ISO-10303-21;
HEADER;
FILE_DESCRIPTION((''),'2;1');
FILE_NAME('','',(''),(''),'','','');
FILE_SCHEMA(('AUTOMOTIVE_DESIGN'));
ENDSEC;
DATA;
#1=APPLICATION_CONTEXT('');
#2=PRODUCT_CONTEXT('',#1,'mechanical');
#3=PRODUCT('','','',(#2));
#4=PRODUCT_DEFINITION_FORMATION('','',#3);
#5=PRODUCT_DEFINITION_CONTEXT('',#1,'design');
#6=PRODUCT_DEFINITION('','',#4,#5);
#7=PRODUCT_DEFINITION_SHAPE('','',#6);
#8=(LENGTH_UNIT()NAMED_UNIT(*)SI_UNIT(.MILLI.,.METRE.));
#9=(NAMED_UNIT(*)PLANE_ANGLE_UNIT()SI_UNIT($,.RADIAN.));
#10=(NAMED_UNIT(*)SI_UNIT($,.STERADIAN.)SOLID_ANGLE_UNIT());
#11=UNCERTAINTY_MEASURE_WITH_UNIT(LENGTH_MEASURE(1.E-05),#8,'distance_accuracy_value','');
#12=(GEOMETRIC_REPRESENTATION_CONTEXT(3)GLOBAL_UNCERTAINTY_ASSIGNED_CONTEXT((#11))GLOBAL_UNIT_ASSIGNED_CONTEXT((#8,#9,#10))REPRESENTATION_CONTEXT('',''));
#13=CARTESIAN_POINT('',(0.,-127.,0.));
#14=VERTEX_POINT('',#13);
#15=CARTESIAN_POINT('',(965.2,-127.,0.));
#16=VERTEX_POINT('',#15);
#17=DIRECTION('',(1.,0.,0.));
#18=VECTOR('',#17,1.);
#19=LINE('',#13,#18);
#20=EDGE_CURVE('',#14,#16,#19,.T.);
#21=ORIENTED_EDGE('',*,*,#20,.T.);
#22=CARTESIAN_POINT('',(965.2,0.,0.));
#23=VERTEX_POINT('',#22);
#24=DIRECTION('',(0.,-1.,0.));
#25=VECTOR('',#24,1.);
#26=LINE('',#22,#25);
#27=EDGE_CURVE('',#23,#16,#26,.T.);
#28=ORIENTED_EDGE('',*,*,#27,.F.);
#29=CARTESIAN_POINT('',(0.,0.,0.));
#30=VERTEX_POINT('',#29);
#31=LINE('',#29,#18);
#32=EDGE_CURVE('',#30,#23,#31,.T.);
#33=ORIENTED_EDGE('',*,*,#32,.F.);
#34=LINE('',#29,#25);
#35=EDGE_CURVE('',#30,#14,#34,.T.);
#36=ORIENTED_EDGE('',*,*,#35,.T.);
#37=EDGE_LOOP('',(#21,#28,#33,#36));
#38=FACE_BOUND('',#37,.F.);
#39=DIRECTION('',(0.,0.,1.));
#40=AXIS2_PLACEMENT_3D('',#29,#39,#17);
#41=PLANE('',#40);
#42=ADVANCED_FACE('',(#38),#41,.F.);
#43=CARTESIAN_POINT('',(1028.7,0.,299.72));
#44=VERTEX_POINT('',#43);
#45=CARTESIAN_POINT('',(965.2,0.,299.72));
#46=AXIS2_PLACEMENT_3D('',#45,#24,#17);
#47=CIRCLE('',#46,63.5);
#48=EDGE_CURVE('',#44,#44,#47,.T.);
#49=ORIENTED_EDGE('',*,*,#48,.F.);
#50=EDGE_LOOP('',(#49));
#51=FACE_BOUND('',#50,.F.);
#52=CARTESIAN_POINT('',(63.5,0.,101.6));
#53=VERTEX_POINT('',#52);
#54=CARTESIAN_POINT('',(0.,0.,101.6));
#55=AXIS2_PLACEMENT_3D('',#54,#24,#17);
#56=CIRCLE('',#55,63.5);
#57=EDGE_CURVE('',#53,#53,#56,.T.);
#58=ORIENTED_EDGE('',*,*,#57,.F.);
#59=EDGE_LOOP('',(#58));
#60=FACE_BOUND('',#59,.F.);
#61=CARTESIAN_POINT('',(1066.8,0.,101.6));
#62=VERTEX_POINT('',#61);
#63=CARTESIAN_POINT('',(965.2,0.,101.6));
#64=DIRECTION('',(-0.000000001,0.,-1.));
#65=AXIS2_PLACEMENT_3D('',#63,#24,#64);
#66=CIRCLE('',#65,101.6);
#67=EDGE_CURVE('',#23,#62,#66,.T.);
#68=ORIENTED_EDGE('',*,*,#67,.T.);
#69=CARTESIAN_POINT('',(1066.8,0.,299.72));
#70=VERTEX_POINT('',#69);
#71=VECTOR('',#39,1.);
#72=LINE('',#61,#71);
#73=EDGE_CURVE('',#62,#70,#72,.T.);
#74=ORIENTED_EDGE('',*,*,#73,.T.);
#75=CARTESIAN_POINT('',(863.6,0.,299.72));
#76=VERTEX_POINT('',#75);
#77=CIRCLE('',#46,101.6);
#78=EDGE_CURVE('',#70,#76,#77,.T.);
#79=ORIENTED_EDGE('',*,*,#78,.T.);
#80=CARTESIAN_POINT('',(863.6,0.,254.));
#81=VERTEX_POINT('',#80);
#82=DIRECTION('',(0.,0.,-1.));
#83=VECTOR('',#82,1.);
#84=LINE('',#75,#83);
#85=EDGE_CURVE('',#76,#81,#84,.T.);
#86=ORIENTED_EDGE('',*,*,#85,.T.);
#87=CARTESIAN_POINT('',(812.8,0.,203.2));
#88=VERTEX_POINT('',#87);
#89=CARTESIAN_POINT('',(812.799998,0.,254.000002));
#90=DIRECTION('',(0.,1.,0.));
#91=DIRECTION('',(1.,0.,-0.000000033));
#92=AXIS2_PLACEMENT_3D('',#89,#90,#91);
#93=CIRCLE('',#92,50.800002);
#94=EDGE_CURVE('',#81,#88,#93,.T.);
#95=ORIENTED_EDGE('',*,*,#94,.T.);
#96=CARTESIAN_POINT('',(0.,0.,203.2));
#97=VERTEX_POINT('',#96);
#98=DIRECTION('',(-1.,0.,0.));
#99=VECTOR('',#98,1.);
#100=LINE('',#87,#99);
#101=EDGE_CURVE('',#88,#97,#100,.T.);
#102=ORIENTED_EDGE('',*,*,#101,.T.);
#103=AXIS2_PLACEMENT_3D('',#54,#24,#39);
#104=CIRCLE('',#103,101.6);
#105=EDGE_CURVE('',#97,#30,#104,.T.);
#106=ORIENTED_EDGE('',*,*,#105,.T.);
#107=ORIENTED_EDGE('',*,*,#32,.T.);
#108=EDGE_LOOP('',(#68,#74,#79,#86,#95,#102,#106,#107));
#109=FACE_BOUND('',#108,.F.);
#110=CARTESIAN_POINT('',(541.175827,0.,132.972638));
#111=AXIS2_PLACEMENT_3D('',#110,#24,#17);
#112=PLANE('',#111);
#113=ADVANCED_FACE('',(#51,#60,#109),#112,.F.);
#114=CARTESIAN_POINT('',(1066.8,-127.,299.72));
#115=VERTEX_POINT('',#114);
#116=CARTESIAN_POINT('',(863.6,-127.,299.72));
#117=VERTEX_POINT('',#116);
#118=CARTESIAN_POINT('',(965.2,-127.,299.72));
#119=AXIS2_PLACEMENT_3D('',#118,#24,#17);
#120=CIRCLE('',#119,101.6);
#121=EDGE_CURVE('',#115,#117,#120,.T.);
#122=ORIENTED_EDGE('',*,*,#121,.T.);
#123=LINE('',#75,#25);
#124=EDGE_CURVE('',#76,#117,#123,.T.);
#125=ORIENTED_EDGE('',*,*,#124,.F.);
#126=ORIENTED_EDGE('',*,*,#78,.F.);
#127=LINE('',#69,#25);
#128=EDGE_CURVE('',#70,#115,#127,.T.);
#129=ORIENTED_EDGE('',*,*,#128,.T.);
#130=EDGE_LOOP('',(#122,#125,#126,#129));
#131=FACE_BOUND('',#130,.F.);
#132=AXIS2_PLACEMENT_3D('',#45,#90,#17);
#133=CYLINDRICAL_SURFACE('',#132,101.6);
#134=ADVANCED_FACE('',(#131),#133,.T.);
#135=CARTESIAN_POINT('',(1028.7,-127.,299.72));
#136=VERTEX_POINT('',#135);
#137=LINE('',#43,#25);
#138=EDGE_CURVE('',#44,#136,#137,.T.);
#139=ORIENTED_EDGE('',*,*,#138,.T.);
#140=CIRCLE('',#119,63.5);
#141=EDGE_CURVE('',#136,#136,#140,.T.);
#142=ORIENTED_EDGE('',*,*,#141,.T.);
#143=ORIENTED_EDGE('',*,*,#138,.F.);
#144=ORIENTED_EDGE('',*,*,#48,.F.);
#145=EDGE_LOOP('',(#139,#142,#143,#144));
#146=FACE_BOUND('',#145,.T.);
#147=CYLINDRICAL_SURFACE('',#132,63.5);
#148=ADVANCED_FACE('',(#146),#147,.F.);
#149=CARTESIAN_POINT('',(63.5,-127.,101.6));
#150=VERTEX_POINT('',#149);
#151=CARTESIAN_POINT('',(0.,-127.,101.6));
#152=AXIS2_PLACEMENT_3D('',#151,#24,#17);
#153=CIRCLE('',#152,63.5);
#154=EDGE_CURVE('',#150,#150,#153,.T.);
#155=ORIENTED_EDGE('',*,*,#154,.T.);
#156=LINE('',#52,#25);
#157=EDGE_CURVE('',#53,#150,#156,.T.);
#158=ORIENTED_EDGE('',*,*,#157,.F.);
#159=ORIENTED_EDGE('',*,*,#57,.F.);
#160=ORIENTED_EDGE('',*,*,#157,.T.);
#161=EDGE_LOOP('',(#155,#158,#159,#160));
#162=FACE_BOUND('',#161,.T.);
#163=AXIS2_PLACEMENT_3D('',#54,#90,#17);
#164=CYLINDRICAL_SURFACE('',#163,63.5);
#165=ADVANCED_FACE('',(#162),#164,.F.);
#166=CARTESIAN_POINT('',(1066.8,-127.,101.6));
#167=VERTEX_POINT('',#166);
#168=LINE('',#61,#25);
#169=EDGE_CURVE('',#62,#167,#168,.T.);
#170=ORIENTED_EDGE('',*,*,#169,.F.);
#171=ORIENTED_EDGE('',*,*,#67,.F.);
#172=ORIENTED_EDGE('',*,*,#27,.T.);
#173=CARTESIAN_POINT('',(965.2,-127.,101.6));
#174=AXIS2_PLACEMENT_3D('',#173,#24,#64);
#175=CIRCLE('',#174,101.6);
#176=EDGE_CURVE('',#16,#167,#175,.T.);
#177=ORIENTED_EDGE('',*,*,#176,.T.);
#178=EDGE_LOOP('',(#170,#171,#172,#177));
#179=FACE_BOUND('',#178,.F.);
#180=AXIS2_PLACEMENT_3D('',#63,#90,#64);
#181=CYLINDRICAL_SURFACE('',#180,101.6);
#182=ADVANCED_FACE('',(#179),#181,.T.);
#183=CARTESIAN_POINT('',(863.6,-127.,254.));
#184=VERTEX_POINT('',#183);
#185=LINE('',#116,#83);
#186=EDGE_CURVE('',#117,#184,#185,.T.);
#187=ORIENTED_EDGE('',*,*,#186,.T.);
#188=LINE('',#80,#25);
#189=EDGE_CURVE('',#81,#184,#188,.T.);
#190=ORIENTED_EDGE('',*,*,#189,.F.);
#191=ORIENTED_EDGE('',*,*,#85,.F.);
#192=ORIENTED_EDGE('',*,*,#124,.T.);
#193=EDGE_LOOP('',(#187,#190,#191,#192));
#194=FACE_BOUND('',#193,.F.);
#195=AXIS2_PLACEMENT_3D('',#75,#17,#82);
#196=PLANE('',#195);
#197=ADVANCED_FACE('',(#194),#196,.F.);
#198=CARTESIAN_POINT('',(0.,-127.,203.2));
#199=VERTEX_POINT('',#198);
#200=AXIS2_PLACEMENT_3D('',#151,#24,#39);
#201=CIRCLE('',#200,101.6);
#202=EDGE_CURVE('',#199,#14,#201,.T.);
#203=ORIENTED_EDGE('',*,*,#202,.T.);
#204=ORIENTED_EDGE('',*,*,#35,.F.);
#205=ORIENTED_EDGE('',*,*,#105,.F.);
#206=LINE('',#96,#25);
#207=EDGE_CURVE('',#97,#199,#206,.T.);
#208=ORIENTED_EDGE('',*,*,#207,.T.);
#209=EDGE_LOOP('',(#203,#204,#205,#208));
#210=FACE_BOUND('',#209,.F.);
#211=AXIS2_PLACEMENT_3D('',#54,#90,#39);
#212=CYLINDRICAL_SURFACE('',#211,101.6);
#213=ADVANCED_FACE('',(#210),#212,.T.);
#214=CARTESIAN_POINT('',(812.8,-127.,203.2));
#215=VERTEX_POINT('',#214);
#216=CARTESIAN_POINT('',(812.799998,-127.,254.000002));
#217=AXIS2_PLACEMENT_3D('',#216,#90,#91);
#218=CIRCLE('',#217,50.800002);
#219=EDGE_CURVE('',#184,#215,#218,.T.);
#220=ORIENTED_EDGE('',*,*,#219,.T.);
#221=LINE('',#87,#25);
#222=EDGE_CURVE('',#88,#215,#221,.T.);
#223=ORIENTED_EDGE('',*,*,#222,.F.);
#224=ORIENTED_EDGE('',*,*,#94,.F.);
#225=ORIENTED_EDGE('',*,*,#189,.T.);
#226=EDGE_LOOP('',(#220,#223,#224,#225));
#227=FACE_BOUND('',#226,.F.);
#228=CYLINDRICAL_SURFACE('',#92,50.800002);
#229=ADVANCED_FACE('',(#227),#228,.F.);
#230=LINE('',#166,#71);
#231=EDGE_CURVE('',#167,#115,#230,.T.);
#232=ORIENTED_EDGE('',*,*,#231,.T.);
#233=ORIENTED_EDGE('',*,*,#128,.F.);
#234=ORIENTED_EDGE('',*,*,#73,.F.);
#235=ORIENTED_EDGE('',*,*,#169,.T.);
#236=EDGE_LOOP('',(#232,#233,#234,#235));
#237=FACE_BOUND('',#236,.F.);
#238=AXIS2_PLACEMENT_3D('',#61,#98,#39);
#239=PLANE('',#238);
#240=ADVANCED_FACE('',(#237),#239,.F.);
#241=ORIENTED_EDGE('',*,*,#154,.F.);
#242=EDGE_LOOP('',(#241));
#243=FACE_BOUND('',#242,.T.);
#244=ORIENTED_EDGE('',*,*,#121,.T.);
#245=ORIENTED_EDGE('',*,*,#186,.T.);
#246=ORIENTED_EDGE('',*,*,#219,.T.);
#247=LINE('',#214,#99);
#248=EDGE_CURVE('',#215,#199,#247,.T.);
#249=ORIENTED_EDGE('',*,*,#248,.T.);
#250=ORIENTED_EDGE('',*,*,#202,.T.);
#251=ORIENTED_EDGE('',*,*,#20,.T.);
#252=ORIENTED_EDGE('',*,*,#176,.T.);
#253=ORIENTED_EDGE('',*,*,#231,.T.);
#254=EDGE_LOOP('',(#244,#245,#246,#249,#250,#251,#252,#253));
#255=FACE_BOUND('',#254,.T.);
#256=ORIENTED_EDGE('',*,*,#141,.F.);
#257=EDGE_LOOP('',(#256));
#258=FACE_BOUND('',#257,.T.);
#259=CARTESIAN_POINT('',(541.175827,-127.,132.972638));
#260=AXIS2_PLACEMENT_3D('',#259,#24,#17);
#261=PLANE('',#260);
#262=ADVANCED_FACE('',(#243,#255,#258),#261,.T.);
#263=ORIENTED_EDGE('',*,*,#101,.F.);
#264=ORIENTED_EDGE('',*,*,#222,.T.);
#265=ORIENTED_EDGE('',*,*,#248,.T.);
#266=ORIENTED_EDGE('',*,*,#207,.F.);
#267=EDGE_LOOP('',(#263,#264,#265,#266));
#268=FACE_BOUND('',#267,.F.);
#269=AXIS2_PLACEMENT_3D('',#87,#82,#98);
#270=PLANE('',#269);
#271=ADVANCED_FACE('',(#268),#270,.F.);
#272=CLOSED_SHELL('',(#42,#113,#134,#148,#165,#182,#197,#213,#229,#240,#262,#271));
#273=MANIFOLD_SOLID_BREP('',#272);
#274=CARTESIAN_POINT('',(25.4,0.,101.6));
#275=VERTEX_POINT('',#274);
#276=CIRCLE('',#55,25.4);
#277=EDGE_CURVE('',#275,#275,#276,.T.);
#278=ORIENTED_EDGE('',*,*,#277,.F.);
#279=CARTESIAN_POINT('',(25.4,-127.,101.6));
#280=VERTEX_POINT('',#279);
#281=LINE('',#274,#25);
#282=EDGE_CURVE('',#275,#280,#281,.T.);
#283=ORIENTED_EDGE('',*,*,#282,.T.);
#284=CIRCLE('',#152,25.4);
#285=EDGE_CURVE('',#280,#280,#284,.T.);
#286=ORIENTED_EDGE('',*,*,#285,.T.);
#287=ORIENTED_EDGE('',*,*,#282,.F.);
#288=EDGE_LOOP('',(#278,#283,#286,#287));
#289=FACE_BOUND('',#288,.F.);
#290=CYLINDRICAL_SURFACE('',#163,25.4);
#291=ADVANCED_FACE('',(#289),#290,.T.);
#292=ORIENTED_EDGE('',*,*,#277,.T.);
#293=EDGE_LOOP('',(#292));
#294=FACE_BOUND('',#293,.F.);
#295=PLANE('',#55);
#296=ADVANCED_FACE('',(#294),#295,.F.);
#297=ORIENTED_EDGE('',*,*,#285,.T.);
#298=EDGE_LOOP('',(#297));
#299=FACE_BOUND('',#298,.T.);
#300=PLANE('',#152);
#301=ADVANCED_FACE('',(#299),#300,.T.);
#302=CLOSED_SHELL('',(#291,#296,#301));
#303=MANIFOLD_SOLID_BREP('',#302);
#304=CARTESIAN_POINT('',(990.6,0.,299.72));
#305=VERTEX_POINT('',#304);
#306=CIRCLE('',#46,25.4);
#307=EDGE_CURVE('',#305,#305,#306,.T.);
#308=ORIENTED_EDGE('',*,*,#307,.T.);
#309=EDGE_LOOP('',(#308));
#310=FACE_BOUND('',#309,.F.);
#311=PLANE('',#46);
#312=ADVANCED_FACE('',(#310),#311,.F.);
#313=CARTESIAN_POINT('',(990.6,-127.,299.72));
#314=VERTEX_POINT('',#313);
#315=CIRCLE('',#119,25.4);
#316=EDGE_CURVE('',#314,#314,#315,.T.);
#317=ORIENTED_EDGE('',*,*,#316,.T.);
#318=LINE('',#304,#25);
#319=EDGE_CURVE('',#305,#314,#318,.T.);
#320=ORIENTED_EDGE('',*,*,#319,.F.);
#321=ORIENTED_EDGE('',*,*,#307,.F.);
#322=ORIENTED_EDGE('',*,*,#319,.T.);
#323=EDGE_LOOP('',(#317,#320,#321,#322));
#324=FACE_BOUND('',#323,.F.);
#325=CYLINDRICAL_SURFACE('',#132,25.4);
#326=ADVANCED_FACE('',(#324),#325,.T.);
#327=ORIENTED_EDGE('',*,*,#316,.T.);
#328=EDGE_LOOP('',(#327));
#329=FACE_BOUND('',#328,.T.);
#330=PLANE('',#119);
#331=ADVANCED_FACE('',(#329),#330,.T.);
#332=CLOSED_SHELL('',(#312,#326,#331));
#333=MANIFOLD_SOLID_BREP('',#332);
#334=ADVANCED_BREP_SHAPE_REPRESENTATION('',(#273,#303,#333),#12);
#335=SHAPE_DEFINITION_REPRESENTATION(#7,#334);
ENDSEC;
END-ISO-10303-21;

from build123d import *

# Parameters (mm, degrees)
F0_R     = 63.5
F0_R_2   = 25.4
F1_DEPTH = 127


with BuildPart() as f1:
    # F0 (on Front) → F1 (new body)
    with BuildSketch(Plane.XZ):
        with BuildLine():
            ThreePointArc((0, 203.2), (-101.6, 101.6), (0, 0))
            Line((0, 0), (863.6, 0))
            Line((863.6, 0), (965.2, 0))
            ThreePointArc((965.2, 0), (1037.042049, 29.757951), (1066.8, 101.6))
            Line((1066.8, 101.6), (1066.8, 299.72))
            ThreePointArc((1066.8, 299.72), (965.2, 401.32), (863.6, 299.72))
            Line((863.6, 299.72), (863.6, 254))
            ThreePointArc((863.6, 254), (848.721024, 218.078976), (812.8, 203.2))
            Line((812.8, 203.2), (0, 203.2))
        make_face()
        with Locations((0, 101.6)):
            Circle(F0_R, mode=Mode.SUBTRACT)
        with Locations((965.2, 299.72)):
            Circle(F0_R, mode=Mode.SUBTRACT)
        with Locations((0, 101.6)):
            Circle(F0_R_2)
        with Locations((965.2, 299.72)):
            Circle(F0_R_2)
    extrude(amount=F1_DEPTH)


solid = f1.part
